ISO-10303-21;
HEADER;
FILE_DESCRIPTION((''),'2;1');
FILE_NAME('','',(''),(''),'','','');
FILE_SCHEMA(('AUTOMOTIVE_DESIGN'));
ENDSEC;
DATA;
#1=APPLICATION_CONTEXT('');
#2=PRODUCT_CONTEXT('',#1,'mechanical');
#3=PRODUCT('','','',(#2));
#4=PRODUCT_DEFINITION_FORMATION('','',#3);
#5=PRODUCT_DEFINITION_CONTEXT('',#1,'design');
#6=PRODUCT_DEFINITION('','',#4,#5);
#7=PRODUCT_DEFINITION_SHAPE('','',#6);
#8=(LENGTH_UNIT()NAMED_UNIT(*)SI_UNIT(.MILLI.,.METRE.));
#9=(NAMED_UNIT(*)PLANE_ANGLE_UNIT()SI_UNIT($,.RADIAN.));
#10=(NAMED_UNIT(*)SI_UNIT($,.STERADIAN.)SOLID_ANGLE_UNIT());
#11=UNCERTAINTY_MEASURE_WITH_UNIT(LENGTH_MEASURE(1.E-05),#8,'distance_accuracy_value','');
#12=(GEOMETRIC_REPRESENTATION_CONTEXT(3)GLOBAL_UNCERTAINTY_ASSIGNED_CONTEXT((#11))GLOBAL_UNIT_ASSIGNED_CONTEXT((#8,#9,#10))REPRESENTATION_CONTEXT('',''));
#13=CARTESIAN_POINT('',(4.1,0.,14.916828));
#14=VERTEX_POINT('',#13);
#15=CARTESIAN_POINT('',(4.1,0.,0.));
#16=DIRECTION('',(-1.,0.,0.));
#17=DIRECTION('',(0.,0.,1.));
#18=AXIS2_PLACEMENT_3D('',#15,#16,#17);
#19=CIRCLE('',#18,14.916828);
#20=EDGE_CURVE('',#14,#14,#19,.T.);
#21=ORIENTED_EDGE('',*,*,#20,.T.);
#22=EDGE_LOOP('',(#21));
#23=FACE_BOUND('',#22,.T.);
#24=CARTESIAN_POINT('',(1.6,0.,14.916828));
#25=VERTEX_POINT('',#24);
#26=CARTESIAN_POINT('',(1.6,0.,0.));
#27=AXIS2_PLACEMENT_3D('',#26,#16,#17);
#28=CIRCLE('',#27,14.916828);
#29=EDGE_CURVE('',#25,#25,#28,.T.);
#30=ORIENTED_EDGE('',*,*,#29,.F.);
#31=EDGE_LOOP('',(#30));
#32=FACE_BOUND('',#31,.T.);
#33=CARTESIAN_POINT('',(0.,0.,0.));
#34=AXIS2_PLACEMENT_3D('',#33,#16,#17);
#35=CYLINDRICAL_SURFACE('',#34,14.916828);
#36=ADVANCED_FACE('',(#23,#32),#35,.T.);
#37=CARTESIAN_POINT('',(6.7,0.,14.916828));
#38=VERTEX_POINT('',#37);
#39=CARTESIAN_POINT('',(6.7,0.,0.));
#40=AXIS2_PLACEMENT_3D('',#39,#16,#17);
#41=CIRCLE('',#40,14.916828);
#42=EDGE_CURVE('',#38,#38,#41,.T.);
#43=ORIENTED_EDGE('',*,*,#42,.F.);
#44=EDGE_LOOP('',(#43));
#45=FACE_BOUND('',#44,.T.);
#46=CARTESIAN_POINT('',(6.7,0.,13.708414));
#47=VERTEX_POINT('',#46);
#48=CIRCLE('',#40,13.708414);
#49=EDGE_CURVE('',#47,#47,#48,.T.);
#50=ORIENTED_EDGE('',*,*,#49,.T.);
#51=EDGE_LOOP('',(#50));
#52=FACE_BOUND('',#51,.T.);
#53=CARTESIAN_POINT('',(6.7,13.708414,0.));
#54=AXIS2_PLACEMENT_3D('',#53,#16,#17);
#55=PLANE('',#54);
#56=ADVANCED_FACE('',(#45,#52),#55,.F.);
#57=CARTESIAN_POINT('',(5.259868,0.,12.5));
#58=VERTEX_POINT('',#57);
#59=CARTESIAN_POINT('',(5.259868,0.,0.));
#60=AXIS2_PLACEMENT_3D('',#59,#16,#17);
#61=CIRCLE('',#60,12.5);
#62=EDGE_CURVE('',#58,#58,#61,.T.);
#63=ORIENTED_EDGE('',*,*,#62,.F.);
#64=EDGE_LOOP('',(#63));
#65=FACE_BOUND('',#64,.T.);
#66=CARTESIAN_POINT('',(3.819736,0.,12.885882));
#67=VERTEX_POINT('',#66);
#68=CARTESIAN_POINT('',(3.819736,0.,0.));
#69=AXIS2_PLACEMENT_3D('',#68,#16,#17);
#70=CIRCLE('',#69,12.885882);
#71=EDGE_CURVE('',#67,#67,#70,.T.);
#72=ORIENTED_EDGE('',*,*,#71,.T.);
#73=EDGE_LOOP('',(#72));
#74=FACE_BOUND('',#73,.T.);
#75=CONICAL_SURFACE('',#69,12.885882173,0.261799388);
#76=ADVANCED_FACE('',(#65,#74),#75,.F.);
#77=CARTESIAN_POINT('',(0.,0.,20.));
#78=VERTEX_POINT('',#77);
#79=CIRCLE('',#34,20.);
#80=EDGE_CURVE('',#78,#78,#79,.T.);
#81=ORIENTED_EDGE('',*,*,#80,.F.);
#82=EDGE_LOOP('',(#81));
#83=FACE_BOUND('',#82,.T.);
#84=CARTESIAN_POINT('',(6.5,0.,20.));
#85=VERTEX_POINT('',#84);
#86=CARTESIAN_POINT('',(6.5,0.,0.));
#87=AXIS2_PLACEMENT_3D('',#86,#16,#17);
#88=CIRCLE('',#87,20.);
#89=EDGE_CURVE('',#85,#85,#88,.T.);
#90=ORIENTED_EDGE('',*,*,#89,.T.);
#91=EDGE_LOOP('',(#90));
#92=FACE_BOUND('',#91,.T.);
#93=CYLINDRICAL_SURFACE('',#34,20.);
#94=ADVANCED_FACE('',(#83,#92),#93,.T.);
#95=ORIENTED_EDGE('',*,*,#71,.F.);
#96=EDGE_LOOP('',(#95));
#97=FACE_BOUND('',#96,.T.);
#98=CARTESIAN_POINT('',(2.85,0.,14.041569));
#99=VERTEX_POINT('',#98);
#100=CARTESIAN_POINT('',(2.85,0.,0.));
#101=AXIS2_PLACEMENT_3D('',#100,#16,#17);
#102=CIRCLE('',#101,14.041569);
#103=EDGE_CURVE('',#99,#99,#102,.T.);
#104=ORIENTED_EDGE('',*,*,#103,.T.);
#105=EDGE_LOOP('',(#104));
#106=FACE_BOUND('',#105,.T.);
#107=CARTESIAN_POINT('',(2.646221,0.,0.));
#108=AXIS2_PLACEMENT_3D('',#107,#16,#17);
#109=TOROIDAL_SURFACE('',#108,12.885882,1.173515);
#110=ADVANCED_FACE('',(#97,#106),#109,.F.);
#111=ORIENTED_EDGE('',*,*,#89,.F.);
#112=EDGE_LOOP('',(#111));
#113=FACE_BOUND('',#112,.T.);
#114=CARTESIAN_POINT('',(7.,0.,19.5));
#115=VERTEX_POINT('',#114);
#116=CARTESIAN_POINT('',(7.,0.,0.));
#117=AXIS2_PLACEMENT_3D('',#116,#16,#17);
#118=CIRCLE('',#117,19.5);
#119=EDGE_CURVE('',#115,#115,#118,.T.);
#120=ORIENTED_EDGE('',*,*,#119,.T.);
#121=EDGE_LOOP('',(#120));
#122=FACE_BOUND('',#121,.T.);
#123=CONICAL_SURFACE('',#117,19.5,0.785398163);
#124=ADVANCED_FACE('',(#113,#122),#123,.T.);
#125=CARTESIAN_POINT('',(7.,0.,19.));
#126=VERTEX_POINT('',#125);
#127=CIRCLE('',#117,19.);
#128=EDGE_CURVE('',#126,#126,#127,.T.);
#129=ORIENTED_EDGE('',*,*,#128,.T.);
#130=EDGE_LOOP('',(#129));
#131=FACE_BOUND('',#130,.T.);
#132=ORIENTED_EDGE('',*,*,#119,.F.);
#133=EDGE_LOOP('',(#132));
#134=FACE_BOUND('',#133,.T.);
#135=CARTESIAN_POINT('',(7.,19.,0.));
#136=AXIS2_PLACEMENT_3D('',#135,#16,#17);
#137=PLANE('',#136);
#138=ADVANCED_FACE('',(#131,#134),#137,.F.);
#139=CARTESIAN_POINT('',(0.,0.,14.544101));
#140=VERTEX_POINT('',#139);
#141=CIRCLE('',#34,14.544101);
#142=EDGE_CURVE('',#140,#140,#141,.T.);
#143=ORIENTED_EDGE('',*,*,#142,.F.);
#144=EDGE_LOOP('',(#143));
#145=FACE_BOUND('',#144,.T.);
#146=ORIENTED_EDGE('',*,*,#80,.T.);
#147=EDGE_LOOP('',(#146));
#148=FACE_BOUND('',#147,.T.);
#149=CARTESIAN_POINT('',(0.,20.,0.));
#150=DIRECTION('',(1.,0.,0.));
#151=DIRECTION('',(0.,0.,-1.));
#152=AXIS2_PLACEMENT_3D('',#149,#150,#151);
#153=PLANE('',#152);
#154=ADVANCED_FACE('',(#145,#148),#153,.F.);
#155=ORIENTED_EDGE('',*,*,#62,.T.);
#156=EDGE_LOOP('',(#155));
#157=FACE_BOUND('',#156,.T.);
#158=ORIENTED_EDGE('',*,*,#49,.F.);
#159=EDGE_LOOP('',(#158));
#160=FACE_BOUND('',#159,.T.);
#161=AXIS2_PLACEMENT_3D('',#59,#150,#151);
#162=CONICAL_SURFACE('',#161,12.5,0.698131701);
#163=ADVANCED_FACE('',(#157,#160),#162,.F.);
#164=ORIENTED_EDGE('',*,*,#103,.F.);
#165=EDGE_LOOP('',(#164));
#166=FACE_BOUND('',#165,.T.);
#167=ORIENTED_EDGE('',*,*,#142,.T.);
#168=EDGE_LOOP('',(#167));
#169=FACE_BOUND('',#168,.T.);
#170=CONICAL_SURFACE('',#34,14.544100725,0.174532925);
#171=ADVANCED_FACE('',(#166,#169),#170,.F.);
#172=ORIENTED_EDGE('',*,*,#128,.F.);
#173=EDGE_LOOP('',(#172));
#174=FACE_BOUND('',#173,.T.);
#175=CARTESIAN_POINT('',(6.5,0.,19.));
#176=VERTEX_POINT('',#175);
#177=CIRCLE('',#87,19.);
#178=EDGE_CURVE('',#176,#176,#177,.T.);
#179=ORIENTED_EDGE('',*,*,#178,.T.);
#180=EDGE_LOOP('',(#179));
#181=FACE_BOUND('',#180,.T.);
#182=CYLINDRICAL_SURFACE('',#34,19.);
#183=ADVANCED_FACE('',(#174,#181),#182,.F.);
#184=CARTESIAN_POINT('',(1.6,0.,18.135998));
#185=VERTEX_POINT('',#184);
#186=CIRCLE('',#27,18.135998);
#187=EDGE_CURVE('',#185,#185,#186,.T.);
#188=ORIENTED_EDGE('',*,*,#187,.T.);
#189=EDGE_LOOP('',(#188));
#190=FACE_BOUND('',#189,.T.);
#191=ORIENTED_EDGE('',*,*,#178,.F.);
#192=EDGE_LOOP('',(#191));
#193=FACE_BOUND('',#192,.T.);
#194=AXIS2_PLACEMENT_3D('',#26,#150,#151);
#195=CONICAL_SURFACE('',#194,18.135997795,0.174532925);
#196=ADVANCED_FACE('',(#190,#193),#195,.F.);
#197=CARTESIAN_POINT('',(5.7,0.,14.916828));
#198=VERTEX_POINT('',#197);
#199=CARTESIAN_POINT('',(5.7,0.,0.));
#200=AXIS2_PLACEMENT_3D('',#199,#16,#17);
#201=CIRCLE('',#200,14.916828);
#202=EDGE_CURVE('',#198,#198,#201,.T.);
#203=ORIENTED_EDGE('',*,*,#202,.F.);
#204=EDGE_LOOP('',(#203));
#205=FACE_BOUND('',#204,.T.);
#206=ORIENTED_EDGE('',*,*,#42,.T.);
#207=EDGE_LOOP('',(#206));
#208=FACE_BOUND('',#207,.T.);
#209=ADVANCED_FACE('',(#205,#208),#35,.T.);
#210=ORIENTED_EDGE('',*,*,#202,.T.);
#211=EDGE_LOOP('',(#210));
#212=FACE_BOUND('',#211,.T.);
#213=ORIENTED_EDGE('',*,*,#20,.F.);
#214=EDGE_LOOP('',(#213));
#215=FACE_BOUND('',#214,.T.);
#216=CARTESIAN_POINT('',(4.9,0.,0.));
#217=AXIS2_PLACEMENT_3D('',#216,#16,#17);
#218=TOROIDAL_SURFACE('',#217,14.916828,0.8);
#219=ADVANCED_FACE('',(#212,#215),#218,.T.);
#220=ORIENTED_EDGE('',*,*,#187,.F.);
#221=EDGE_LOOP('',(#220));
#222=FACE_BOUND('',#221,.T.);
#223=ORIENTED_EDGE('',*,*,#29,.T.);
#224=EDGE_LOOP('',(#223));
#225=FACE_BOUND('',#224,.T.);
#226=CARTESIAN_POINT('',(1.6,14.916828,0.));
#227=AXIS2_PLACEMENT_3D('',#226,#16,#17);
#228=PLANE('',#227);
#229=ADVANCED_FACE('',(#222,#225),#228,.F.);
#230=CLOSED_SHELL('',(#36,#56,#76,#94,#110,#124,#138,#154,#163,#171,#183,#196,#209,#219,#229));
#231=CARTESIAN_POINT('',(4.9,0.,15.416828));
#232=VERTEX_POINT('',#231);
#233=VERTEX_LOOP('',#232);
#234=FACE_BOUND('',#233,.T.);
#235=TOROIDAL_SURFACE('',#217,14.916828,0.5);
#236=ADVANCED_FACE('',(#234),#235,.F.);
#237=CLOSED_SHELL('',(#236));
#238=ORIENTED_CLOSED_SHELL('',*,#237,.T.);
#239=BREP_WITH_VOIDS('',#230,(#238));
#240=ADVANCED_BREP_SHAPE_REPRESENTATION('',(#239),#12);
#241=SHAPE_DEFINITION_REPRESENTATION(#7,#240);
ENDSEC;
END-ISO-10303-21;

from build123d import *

# Parameters (mm, degrees)
SKETCH1_R = 0.5


with BuildPart() as part:
    # Sketch1 → Revolve1 (revolve)
    with BuildSketch(Plane.XY, mode=Mode.PRIVATE) as revolve1_sk:
        with BuildLine():
            Line((0, 20), (0, 14.544100725))
            Line((0, 14.544100725), (2.85, 14.04156883))
            ThreePointArc((2.85, 14.04156883), (3.545185895, 13.640203066), (3.819736247, 12.885882173))
            Line((3.819736247, 12.885882173), (5.259868124, 12.5))
            Line((5.259868124, 12.5), (6.7, 13.708414126))
            Line((6.7, 13.708414126), (6.7, 14.916828253))
            Line((6.7, 14.916828253), (5.7, 14.916828253))
            ThreePointArc((5.7, 14.916828253), (4.9, 15.716828253), (4.1, 14.916828253))
            Line((4.1, 14.916828253), (1.6, 14.916828253))
            Line((1.6, 14.916828253), (1.6, 18.135997795))
            Line((1.6, 18.135997795), (6.5, 19))
            Line((6.5, 19), (7, 19))
            Line((7, 19), (7, 19.5))
            Line((7, 19.5), (6.5, 20))
            Line((6.5, 20), (0, 20))
        make_face()
        with Locations((4.9, 14.916828253)):
            Circle(SKETCH1_R, mode=Mode.SUBTRACT)
    revolve(revolve1_sk.sketch.rotate(Axis((0, 0, 0), (1, 0, 0)), 90), axis=Axis((0, 0, 0), (1, 0, 0)))


solid = part.part
